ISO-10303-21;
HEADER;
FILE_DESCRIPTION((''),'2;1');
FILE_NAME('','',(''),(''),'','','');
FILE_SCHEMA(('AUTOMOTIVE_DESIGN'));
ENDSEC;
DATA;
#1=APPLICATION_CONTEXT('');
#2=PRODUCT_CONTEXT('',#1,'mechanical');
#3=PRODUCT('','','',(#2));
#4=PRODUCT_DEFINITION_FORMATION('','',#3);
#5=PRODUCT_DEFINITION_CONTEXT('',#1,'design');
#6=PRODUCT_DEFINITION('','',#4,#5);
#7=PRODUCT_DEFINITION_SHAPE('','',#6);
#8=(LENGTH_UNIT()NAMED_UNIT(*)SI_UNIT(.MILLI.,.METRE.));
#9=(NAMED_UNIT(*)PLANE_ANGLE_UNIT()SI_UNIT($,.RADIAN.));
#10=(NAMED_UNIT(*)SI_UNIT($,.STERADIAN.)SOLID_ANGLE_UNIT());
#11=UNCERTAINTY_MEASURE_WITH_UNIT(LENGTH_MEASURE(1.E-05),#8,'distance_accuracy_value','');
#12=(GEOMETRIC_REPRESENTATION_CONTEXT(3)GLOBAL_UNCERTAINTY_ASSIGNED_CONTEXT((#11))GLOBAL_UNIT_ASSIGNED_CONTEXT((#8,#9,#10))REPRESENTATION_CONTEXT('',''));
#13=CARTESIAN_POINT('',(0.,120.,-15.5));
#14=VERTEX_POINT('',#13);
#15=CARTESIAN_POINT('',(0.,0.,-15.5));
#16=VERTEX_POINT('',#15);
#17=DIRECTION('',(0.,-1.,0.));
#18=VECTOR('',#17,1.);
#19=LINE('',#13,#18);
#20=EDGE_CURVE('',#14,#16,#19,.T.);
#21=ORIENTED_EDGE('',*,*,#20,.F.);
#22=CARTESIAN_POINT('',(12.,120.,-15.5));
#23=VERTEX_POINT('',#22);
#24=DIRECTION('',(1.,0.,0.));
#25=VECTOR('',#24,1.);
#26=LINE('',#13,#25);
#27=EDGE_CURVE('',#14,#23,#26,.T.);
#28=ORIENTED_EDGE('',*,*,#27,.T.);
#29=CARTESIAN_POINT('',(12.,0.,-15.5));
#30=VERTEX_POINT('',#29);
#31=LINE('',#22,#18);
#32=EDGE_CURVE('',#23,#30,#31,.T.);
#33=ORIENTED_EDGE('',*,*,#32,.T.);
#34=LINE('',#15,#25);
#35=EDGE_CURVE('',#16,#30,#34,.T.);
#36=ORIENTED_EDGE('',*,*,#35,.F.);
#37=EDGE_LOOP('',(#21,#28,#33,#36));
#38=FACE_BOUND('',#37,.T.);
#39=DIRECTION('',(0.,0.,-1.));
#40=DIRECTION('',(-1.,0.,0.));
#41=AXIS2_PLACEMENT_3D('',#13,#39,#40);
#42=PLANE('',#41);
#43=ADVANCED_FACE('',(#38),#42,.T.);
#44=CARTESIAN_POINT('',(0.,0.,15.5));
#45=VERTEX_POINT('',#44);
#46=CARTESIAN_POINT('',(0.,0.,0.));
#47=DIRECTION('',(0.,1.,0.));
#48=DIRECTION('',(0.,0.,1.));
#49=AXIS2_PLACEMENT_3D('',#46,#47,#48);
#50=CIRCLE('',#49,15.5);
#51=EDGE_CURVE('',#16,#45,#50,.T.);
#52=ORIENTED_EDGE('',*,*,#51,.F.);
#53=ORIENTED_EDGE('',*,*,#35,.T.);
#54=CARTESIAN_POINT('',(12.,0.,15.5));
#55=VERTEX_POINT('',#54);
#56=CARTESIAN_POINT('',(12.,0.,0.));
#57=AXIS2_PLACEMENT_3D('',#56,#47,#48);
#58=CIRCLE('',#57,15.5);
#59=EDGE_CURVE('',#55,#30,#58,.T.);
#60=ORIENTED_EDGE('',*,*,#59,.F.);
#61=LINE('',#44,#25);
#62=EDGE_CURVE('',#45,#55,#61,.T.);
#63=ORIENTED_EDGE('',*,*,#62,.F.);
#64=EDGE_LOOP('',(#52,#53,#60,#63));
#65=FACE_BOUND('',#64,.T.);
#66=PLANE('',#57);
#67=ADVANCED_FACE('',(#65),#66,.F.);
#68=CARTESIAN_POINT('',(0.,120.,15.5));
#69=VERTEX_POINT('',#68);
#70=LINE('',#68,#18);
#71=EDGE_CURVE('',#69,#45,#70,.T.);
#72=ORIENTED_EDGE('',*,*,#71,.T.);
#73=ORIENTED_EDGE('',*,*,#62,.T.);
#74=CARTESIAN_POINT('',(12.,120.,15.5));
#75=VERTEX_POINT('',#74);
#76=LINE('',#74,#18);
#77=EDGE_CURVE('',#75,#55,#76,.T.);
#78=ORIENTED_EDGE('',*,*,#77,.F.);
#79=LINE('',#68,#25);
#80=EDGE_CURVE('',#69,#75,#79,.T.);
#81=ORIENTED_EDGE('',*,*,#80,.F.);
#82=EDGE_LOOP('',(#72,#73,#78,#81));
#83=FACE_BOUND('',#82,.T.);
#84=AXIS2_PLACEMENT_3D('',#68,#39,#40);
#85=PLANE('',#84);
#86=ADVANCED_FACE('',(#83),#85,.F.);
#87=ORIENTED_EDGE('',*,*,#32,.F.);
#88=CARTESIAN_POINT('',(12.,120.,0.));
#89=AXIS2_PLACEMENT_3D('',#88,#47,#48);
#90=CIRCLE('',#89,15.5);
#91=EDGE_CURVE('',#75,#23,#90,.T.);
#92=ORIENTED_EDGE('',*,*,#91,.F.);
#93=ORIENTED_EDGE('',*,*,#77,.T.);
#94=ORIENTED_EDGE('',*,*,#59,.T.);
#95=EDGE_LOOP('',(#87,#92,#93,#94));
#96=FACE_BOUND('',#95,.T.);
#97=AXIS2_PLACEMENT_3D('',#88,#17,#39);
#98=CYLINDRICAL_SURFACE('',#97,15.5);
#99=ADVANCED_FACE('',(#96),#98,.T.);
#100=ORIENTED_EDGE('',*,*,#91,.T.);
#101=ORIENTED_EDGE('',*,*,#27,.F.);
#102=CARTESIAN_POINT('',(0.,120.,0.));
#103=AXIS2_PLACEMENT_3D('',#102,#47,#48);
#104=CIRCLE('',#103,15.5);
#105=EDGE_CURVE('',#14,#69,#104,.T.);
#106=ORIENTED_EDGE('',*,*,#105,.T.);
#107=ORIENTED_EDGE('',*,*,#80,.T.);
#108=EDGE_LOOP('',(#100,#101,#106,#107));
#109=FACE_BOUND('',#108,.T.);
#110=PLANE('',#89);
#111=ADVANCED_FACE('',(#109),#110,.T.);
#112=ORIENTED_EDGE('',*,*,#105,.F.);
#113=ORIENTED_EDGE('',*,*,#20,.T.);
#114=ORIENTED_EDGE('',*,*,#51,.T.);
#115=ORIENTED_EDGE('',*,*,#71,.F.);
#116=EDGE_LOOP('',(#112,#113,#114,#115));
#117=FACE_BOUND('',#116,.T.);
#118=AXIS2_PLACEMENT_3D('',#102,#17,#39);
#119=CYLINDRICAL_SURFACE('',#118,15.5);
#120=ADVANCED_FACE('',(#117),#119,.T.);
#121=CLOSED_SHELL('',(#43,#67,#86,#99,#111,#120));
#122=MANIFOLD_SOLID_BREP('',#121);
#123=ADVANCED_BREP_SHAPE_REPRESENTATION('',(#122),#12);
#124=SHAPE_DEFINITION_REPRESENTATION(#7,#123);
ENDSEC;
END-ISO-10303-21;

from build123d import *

# Parameters (mm, degrees)
BOSS_EXTRUDE2_DEPTH = 120


with BuildPart() as part:
    # Sketch1 → Boss-Extrude2 (new body)
    with BuildSketch(Plane(origin=(0, 0, 0), x_dir=(1, 0, 0), z_dir=(0, 1, 0))):
        with BuildLine():
            Line((0, 15.5), (12, 15.5))
            ThreePointArc((12, 15.5), (27.5, 0), (12, -15.5))
            Line((12, -15.5), (0, -15.5))
            ThreePointArc((0, -15.5), (-15.5, 0), (0, 15.5))
        make_face()
    extrude(amount=BOSS_EXTRUDE2_DEPTH)


solid = part.part
